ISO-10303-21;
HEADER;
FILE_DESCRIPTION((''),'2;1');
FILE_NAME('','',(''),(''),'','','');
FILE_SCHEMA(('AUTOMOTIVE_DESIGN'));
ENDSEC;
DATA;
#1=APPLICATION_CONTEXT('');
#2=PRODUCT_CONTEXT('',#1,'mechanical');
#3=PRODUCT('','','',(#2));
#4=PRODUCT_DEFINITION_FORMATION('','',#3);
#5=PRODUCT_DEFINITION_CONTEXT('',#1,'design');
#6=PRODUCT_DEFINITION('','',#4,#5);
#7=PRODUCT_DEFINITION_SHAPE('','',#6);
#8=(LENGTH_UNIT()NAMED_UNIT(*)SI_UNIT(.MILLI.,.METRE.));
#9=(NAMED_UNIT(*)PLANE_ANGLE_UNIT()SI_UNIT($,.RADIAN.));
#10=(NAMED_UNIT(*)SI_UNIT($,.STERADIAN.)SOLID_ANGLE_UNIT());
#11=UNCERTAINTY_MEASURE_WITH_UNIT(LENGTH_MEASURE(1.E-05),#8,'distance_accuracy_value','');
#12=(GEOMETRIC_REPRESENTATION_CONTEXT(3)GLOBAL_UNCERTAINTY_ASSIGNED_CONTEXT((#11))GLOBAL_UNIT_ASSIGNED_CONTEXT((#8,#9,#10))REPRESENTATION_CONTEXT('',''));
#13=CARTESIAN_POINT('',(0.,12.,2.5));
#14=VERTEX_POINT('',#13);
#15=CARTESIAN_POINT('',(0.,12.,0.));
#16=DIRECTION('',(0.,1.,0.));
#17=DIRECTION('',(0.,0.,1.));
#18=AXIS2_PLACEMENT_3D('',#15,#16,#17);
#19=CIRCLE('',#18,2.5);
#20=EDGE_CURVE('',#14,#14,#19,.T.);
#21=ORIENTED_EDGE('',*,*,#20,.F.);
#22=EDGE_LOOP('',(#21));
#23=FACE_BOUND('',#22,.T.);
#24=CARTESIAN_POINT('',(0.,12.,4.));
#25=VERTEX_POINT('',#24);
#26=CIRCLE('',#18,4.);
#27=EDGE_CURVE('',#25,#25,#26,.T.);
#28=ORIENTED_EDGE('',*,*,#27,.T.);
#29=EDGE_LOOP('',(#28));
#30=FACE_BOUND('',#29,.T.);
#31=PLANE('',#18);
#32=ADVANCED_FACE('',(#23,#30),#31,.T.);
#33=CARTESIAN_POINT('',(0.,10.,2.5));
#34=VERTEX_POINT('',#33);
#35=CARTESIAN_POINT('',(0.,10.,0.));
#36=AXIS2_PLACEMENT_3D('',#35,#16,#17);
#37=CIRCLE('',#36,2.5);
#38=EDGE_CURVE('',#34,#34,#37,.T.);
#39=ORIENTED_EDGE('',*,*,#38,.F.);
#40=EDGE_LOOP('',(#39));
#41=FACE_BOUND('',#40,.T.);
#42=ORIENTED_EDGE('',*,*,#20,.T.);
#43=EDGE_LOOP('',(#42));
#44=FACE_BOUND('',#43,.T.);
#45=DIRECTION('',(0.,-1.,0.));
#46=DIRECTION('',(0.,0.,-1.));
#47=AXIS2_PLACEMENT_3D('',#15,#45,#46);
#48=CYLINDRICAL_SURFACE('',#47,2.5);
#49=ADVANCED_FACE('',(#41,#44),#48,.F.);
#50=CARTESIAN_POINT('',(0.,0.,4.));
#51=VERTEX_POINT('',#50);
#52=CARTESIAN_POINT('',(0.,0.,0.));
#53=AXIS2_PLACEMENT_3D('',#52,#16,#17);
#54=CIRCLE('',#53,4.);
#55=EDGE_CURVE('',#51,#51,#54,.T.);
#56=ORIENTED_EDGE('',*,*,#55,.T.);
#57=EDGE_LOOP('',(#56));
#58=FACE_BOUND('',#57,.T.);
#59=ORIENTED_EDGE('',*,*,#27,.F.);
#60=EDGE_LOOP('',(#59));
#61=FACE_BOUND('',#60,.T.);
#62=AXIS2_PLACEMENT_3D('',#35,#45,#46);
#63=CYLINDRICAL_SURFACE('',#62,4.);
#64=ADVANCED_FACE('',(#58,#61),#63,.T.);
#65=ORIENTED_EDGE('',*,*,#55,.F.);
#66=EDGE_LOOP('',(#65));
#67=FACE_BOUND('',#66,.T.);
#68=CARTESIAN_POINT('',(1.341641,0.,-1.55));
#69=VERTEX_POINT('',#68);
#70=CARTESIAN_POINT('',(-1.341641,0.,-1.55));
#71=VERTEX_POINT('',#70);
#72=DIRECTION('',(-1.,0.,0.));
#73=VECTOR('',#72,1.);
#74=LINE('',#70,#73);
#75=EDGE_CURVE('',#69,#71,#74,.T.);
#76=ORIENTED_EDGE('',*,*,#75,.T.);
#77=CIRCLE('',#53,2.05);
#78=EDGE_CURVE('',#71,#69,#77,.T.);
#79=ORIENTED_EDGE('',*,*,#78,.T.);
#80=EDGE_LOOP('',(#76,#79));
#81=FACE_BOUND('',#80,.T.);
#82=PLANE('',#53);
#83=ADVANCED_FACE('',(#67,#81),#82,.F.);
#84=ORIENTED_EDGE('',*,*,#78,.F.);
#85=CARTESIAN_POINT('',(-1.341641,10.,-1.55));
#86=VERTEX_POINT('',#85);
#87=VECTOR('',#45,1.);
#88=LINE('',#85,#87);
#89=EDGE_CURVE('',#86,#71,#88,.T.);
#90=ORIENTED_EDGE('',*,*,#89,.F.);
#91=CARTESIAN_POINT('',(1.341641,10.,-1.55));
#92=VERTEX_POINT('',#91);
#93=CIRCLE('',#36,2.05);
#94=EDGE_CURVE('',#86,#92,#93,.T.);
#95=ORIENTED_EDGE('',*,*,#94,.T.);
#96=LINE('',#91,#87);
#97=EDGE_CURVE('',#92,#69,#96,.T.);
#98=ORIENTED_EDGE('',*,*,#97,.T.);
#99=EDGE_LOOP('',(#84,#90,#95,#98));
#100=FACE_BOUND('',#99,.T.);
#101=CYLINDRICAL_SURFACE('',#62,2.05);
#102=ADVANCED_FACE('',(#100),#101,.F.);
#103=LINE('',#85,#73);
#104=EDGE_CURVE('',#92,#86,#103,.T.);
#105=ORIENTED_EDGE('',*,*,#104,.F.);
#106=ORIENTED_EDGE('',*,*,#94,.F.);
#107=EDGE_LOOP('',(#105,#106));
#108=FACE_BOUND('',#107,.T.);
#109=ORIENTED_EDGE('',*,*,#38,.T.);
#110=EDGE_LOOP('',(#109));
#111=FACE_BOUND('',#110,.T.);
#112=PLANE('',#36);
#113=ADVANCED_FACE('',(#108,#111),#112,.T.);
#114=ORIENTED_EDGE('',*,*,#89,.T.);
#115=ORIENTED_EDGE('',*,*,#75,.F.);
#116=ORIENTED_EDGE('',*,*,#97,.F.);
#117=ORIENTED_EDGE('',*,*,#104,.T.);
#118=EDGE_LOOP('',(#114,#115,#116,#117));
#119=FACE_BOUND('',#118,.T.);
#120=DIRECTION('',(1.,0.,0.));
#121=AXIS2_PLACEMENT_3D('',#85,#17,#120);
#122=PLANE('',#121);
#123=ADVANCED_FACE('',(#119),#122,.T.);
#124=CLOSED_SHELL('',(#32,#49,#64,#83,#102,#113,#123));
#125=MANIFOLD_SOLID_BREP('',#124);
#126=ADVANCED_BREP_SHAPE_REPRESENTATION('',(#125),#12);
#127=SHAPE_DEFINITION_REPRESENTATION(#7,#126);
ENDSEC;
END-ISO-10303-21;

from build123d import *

# Parameters (mm, degrees)
SKETCH1_R           = 4
BOSS_EXTRUDE1_DEPTH = 10
SKETCH2_R           = 4
SKETCH2_R_2         = 2.5
BOSS_EXTRUDE2_DEPTH = 2


with BuildPart() as part:
    # Sketch1 → Boss-Extrude1 (new body)
    with BuildSketch(Plane(origin=(0, 0, 0), x_dir=(1, 0, 0), z_dir=(0, 1, 0))):
        with Locations(Location((0, 0, 0), (0, 0, 270))):
            Circle(SKETCH1_R)
        with BuildLine():
            Line((-1.341640786, 1.55), (1.341640786, 1.55))
            ThreePointArc((1.341640786, 1.55), (0, -2.05), (-1.341640786, 1.55))
        make_face(mode=Mode.SUBTRACT)
    extrude(amount=BOSS_EXTRUDE1_DEPTH)

    # Sketch2 → Boss-Extrude2 (add)
    with BuildSketch(Plane(origin=(0, 10, 0), x_dir=(1, 0, 0), z_dir=(0, 1, 0))):
        with Locations(Location((0, 0, 0), (0, 0, 270))):
            Circle(SKETCH2_R)
        with Locations(Location((0, 0, 0), (0, 0, 270))):
            Circle(SKETCH2_R_2, mode=Mode.SUBTRACT)
    extrude(amount=BOSS_EXTRUDE2_DEPTH)


solid = part.part
